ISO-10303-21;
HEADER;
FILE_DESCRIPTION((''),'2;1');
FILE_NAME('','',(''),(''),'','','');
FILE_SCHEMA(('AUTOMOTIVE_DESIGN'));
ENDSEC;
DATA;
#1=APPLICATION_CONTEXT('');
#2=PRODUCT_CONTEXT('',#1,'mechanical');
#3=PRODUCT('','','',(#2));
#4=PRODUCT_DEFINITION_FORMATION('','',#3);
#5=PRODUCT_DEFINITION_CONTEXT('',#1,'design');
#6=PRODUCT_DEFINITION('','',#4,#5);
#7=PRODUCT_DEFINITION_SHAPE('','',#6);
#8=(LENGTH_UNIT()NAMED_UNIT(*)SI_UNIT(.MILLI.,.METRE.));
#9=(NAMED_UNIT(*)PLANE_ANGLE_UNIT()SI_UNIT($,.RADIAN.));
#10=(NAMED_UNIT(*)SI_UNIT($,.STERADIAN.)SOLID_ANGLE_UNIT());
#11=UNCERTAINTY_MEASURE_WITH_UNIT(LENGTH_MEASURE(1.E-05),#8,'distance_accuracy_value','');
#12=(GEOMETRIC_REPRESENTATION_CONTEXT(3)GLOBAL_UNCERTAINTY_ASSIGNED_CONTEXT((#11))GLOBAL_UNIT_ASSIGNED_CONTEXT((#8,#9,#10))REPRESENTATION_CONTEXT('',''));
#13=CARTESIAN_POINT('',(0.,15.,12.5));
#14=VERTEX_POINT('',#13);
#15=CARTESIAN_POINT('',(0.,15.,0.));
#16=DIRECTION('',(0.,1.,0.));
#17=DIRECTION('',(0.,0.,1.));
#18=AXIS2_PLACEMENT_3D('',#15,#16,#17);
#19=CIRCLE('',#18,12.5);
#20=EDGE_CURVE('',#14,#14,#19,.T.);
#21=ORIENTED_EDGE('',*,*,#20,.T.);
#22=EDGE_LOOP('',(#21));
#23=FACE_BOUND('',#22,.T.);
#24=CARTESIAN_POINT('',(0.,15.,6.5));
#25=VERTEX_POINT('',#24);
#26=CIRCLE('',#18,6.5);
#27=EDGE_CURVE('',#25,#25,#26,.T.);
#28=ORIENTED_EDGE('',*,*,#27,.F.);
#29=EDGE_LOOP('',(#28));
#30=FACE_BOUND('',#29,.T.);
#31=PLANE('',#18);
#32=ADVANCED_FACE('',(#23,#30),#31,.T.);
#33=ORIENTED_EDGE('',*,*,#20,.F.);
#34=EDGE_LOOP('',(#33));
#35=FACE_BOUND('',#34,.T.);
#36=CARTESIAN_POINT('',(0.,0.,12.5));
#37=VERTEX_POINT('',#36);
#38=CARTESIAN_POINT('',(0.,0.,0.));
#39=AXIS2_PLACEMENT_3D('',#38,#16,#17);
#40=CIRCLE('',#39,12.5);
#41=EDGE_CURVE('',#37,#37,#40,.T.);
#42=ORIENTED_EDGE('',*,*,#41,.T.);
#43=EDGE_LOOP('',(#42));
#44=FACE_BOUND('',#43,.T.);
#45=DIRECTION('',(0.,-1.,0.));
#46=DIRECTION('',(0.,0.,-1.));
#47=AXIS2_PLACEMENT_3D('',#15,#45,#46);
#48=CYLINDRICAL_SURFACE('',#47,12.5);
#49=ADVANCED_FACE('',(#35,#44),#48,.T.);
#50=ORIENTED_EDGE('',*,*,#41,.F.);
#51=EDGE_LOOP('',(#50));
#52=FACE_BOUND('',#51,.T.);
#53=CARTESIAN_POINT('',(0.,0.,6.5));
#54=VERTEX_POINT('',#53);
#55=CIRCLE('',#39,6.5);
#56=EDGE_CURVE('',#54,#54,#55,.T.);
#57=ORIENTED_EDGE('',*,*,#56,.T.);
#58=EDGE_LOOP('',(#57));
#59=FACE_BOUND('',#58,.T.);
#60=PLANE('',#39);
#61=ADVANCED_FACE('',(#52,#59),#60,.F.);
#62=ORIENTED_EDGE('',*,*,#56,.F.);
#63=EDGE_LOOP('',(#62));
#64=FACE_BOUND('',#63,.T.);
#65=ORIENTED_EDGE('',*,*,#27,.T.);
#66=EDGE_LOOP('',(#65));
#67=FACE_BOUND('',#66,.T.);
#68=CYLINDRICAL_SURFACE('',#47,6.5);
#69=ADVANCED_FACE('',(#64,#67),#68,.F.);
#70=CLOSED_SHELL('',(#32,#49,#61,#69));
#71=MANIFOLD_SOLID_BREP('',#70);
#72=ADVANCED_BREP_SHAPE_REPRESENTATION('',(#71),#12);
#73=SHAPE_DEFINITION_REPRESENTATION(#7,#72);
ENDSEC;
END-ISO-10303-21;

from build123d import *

# Parameters (mm, degrees)
ESQUISSE1_R      = 12.5
ESQUISSE1_R_2    = 6.5
EXTRUSION1_DEPTH = 15


with BuildPart() as part:
    # Esquisse1 → Extrusion1 (new body)
    with BuildSketch(Plane(origin=(0, 0, 0), x_dir=(1, 0, 0), z_dir=(0, 1, 0))):
        Circle(ESQUISSE1_R)
        Circle(ESQUISSE1_R_2, mode=Mode.SUBTRACT)
    extrude(amount=EXTRUSION1_DEPTH)


solid = part.part
